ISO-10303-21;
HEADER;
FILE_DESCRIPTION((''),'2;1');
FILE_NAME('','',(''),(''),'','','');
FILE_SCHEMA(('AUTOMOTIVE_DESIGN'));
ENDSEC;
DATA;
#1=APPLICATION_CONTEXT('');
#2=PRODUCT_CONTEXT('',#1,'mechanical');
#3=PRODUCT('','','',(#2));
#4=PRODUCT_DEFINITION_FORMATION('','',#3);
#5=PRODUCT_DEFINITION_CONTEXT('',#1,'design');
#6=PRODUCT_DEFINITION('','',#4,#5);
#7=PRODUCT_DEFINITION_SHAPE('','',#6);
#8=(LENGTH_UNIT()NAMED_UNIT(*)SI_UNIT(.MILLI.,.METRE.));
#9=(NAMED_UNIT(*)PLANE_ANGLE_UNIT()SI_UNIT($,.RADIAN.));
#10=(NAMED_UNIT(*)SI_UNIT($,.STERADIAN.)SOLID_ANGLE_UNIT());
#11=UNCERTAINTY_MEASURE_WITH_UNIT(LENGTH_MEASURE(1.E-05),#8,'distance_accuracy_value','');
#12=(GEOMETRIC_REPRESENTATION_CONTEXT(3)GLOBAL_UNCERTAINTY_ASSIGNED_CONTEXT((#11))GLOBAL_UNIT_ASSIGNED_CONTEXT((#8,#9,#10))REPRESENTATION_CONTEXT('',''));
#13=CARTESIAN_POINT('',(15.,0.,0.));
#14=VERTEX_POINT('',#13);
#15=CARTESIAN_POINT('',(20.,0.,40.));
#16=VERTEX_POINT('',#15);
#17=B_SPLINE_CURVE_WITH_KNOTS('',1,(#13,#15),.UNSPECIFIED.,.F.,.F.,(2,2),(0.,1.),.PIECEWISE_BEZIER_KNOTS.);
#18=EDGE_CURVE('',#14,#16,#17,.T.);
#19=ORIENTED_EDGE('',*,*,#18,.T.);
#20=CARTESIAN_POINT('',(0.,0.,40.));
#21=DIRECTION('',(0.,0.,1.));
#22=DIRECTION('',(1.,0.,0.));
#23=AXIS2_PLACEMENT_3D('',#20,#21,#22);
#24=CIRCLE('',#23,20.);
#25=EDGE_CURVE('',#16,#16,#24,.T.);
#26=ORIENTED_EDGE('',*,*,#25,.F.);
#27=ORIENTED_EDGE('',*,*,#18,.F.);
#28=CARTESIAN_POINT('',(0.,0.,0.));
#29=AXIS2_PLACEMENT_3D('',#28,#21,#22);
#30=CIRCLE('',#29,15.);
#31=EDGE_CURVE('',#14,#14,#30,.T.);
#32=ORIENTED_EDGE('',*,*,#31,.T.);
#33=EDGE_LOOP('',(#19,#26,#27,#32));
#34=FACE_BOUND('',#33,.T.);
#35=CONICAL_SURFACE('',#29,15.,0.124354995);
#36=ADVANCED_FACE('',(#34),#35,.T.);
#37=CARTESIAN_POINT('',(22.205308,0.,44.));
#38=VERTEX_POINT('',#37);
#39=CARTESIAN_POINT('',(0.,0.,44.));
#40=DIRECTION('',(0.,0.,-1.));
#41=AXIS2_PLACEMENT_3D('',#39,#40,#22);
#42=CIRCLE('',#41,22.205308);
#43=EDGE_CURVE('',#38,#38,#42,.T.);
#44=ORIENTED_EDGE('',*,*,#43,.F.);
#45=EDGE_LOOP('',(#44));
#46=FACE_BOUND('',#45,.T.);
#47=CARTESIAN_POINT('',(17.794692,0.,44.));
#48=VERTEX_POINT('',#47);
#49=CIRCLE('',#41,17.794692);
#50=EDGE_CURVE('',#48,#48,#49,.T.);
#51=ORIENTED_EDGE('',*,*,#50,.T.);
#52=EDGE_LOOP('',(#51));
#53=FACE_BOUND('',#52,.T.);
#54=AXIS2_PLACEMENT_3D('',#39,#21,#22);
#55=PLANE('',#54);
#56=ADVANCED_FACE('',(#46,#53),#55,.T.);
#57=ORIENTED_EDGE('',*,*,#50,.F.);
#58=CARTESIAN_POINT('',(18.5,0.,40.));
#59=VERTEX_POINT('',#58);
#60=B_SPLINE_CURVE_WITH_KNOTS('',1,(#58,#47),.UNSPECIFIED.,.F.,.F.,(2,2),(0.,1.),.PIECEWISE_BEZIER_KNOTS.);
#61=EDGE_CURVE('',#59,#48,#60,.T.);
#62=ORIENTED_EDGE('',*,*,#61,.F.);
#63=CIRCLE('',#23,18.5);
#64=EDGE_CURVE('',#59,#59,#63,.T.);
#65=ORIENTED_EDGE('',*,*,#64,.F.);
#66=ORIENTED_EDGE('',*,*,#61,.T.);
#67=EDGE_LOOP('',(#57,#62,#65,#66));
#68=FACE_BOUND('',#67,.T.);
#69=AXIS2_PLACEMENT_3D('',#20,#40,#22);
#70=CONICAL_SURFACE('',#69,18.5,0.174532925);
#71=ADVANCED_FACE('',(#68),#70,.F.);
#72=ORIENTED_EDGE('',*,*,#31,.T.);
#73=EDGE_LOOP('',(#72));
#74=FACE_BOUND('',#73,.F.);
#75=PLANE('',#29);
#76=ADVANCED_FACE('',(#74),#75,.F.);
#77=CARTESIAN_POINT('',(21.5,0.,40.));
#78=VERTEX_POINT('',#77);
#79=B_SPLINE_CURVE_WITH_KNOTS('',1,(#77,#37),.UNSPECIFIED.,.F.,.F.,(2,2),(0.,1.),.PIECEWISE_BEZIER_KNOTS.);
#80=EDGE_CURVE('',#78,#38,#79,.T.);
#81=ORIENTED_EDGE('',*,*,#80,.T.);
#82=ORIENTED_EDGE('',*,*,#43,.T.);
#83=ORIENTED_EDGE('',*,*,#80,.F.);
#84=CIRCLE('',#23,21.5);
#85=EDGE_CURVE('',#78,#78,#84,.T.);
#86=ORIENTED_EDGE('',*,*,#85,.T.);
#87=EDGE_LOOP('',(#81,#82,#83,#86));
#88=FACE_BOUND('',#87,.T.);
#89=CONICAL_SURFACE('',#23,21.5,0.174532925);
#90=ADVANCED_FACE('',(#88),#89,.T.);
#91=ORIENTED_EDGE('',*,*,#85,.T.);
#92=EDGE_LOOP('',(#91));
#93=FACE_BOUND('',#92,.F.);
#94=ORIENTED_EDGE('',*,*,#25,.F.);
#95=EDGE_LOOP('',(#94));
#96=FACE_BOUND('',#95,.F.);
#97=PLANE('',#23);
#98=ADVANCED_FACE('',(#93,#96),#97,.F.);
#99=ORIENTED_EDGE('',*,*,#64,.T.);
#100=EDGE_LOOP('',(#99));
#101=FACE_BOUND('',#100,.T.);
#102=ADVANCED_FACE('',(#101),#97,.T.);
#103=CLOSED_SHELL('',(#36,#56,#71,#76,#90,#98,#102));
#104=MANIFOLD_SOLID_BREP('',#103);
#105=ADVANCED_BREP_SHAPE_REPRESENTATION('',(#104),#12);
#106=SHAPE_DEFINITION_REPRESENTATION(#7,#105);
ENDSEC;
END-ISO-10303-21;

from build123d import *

# Parameters (mm, degrees)
F0_R     = 15
F2_R     = 20
F4_R     = 21.5
F4_R_2   = 20
F4_R_3   = 18.5
F5_DEPTH = 4
F5_TAPER = -10


with BuildPart() as f3:
    # F0 (on Top) → F3 section 0
    with BuildSketch(Plane.XY):
        Circle(F0_R)
    # F2 (on offset) → F3 section 1
    with BuildSketch(Plane.XY.offset(40)):
        Circle(F2_R)
    loft()

    # F4 (on face) → F5 (join)
    with BuildSketch(Plane.XY.offset(40)):
        Circle(F4_R)
        Circle(F4_R_2, mode=Mode.SUBTRACT)
        Circle(F4_R_2)
        Circle(F4_R_3, mode=Mode.SUBTRACT)
    extrude(amount=F5_DEPTH, taper=F5_TAPER)


solid = f3.part
